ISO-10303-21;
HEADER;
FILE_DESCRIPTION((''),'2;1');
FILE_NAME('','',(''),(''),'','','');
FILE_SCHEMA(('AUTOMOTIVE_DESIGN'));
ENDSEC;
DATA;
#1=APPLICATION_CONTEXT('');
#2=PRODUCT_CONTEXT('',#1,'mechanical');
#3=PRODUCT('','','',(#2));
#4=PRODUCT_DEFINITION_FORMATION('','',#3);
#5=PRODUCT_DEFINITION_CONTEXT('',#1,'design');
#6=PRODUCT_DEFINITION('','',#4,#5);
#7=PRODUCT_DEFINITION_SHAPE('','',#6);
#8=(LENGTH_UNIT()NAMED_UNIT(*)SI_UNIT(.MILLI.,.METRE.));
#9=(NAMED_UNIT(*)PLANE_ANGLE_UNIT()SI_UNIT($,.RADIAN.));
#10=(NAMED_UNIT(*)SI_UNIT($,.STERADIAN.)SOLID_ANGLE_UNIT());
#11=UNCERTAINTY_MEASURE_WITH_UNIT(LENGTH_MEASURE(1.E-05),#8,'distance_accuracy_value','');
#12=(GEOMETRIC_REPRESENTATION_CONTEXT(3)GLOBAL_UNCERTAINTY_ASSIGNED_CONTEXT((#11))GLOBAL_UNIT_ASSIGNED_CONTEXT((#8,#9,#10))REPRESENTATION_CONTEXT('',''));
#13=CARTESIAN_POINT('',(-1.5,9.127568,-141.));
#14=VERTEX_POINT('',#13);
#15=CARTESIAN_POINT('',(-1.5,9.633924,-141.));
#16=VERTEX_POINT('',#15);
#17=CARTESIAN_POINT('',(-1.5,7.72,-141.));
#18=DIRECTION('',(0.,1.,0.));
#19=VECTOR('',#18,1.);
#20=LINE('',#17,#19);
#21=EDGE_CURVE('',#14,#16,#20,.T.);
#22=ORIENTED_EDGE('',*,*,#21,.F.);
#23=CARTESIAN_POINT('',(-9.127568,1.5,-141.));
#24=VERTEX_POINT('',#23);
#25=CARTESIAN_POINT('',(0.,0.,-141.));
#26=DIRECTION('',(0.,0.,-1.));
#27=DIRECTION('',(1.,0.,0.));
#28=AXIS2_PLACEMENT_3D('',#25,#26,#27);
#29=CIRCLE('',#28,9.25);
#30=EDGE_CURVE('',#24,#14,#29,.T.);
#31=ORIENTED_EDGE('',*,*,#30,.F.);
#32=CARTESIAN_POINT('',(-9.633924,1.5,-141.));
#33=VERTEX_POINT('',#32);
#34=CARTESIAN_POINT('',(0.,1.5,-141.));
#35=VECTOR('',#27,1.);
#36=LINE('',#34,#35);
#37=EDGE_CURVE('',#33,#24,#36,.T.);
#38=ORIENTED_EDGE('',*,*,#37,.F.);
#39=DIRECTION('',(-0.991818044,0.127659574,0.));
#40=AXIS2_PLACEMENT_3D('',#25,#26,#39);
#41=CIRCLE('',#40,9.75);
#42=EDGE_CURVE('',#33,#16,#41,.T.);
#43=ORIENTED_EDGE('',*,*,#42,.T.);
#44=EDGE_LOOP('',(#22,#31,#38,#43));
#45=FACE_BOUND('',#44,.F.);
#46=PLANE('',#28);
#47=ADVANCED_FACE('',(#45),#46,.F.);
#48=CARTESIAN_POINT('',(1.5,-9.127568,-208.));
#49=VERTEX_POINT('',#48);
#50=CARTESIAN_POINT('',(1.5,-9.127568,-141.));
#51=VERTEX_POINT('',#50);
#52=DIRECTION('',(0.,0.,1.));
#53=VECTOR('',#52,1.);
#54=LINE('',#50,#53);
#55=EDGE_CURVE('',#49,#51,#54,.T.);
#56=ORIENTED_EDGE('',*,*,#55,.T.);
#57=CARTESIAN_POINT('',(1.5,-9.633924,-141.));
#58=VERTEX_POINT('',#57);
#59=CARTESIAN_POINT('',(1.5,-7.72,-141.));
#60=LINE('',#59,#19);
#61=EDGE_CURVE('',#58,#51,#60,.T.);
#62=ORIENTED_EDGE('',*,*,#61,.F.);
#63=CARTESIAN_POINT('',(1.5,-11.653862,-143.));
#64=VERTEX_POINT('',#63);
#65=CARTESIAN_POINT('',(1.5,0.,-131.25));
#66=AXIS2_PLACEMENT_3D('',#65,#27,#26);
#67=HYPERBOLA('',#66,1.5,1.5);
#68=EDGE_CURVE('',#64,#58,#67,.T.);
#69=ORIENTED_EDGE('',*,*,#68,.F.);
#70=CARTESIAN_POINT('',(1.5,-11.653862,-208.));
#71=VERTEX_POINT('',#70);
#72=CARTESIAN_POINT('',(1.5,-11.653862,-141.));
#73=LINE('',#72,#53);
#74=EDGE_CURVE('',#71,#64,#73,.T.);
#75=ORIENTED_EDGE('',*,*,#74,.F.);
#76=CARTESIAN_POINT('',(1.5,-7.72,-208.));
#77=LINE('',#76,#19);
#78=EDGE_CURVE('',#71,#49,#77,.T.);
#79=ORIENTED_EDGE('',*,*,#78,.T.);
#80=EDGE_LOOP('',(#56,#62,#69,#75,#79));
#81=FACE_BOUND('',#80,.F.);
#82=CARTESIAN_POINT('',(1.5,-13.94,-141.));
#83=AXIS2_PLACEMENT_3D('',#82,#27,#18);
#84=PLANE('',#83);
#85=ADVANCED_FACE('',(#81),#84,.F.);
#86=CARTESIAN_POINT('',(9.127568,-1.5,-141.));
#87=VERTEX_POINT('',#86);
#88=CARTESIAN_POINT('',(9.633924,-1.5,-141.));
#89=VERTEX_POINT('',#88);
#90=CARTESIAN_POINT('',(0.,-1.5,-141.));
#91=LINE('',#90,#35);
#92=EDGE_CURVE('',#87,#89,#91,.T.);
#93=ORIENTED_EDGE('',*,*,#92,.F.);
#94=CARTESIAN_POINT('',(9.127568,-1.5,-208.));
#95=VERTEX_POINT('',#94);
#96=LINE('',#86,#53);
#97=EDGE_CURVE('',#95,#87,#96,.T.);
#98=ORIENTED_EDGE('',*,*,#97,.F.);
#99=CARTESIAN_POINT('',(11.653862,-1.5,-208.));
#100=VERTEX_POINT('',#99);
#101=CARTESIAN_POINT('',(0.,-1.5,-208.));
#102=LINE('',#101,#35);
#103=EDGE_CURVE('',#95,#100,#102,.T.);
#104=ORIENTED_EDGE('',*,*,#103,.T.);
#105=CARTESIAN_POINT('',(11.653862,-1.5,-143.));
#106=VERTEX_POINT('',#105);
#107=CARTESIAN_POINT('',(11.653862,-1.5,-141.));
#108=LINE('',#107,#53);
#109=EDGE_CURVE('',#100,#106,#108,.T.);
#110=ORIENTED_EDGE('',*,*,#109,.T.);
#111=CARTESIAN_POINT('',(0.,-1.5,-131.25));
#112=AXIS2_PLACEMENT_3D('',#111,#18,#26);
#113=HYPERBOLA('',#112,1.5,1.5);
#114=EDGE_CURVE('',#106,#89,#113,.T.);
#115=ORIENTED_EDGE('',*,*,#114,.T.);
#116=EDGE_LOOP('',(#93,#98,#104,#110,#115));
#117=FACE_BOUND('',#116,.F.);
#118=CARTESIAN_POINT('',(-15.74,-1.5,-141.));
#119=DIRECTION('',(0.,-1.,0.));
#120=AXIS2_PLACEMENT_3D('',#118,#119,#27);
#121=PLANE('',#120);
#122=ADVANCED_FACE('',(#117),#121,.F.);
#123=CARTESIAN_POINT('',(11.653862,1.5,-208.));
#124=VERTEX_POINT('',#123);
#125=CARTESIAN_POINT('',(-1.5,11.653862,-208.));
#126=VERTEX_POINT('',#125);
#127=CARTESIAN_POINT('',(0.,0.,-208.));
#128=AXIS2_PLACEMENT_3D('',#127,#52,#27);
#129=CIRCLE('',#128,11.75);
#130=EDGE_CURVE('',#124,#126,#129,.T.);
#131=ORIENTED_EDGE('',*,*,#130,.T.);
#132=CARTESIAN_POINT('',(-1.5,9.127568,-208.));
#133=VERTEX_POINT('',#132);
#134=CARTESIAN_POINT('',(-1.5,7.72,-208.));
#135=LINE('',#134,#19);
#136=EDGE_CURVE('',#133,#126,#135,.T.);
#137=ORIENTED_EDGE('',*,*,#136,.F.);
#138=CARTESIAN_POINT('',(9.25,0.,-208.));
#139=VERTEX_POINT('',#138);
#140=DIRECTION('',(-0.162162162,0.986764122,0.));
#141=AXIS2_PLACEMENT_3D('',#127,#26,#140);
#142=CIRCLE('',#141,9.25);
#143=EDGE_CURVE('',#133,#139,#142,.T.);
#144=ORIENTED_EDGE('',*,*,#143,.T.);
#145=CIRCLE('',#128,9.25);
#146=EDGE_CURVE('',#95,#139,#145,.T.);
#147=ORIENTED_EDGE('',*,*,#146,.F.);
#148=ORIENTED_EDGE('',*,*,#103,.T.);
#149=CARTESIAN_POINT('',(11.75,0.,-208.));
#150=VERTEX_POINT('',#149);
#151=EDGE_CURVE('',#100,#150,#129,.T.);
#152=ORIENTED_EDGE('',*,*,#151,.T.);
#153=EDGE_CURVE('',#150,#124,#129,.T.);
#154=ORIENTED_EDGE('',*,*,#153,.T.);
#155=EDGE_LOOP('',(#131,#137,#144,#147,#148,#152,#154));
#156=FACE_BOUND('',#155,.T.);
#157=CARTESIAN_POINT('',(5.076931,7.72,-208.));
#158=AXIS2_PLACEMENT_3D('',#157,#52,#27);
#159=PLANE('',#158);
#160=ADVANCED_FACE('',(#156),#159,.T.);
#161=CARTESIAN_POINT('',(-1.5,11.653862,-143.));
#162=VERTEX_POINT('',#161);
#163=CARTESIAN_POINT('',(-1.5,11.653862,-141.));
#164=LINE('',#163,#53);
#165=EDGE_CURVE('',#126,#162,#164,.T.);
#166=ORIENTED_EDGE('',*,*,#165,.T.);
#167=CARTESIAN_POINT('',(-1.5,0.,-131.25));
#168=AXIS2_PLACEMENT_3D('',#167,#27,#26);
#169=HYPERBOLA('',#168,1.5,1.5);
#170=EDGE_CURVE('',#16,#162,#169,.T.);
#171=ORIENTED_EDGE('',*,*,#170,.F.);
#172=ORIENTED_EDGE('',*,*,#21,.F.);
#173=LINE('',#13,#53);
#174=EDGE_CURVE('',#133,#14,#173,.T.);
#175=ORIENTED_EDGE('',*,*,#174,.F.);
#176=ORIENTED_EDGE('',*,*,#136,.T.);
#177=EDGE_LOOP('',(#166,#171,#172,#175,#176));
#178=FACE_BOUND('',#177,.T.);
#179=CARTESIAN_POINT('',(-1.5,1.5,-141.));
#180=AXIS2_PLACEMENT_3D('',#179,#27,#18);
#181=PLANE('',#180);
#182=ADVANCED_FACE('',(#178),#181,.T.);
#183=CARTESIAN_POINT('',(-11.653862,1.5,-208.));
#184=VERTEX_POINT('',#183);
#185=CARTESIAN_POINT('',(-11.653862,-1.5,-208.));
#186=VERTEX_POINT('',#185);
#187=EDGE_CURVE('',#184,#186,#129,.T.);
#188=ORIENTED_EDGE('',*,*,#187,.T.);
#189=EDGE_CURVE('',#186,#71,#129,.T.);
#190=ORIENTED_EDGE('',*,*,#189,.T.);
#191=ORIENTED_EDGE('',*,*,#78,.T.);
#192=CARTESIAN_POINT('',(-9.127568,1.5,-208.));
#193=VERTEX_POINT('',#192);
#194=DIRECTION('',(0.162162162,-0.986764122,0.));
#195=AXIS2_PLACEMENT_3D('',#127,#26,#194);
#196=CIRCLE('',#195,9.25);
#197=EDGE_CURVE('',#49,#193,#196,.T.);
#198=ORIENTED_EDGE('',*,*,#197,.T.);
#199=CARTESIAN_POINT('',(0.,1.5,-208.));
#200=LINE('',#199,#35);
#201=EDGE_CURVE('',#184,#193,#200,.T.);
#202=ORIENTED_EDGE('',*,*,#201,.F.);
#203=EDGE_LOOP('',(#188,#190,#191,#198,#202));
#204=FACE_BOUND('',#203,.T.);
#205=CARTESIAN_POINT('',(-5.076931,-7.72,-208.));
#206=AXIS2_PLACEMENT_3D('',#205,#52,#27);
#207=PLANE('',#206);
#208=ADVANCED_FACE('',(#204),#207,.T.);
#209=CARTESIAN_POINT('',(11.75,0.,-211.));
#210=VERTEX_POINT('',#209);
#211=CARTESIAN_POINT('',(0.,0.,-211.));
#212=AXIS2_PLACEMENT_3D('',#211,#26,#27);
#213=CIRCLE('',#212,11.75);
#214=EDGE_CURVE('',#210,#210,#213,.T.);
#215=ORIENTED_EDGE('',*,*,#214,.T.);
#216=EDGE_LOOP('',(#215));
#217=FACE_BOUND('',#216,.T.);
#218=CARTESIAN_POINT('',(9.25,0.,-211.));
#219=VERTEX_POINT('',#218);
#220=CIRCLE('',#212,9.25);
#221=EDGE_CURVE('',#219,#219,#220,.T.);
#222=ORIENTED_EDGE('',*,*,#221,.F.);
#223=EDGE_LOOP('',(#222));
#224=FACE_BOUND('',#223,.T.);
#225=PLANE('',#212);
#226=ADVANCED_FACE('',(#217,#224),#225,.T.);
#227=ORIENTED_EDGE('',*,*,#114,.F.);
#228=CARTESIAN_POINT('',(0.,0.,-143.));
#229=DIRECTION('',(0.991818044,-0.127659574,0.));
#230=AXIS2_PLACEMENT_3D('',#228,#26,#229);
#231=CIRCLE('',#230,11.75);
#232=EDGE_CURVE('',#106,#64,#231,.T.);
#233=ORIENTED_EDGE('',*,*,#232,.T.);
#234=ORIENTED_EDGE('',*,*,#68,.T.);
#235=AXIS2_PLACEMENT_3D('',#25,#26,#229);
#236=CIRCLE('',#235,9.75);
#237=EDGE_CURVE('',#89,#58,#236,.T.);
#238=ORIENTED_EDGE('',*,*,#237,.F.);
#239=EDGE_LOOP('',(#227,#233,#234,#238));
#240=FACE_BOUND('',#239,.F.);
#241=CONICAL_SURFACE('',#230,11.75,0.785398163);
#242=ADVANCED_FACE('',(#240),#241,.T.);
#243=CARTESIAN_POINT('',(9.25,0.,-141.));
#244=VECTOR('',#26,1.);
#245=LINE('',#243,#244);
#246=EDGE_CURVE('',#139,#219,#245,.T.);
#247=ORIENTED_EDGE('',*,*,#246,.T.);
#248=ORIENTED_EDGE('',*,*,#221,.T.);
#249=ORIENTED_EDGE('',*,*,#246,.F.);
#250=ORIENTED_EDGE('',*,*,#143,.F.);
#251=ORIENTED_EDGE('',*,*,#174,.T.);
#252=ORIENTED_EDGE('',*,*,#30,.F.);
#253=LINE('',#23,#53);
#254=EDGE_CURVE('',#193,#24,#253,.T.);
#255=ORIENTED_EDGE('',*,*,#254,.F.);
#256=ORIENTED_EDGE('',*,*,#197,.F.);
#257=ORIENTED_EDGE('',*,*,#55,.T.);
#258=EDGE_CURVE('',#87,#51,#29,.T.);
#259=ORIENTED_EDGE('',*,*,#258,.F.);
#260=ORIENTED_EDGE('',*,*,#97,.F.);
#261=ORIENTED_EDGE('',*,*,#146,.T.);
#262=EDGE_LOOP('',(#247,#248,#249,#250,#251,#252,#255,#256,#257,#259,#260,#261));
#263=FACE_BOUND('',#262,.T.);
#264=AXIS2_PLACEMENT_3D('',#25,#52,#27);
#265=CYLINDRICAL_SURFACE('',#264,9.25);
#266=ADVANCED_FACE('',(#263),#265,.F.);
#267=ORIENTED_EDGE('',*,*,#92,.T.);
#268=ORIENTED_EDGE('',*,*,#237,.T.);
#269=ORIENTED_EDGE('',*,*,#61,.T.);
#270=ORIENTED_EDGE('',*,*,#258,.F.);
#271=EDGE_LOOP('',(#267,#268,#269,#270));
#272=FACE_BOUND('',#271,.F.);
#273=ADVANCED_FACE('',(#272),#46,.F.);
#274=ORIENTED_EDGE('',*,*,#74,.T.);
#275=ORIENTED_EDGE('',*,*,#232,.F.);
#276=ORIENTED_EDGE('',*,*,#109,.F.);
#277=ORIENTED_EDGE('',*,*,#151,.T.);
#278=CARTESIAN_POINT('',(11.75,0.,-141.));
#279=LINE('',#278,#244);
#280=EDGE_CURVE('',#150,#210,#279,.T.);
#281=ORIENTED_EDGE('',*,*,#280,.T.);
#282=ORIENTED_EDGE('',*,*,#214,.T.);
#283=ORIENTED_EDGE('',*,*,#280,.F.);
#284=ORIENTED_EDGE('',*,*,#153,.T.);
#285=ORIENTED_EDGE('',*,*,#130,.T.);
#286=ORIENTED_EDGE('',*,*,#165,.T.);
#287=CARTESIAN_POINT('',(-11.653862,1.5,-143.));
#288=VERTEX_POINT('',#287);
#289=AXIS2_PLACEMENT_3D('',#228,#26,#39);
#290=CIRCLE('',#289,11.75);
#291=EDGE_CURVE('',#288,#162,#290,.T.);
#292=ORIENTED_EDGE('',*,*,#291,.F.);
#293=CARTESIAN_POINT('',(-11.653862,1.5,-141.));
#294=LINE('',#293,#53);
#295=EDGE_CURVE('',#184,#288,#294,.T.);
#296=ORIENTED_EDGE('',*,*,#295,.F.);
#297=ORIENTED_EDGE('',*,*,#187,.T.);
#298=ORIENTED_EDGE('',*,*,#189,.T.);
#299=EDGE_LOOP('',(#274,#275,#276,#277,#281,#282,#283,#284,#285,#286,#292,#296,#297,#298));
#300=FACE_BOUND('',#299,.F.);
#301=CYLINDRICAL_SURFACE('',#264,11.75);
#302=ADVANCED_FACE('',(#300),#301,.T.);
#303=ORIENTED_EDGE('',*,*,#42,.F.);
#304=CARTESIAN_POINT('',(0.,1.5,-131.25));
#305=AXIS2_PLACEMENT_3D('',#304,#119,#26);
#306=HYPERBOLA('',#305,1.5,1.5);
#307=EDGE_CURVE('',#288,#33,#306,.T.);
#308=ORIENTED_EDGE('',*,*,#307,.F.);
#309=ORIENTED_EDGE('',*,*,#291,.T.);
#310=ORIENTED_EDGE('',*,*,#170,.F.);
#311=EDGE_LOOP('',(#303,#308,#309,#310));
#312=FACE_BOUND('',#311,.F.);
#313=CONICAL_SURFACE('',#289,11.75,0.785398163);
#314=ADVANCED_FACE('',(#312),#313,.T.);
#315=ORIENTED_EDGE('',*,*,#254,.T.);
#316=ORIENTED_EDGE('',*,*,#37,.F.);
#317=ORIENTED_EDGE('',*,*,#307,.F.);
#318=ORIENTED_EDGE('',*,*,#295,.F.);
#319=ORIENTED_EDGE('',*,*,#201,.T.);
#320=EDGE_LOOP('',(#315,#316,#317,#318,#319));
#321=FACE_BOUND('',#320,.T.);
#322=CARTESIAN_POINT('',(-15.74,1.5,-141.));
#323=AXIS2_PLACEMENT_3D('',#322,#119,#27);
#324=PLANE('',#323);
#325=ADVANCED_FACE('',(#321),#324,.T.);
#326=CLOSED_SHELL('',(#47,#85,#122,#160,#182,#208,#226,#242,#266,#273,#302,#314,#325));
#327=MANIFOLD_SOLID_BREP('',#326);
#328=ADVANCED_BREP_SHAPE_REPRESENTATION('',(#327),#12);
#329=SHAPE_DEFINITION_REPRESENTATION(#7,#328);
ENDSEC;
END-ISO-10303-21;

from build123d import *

# Parameters (mm, degrees)
SKETCH023_R             = 11.75
SKETCH023_R_2           = 9.25
PAD015_DEPTH            = 70
SKETCH025_W             = 31.48
SKETCH025_H             = 3
POCKET007_DEPTH         = 67
CHAMFER006_SIZE         = 2
SKETCH024_W             = 13.153862
SKETCH024_H             = 12.44
POCKET006_DEPTH         = 67
BODY013_PLACEMENT_ANGLE = 180


with BuildPart() as part:
    # Sketch023 → Pad015 (new body)
    with BuildSketch(Plane.XY):
        Circle(SKETCH023_R)
        Circle(SKETCH023_R_2, mode=Mode.SUBTRACT)
    extrude(amount=PAD015_DEPTH)

    # Sketch025 (on Face3 of Pad015) → Pocket007 (cut)
    with BuildSketch(Plane(origin=(0, 0, 0), x_dir=(1, 0, 0), z_dir=(0, 0, -1))):
        Rectangle(SKETCH025_W, SKETCH025_H)
    extrude(amount=-POCKET007_DEPTH, mode=Mode.SUBTRACT)

    # Chamfer006
    chamfer006_edges = [part.edges().sort_by_distance(p)[0] for p in [
        (0, 11.75, 0),
        (0, -11.75, 0),
    ]]
    chamfer(chamfer006_edges, length=CHAMFER006_SIZE)

    # Sketch024 (on Face11 of Chamfer006) → Pocket006 (cut)
    with BuildSketch(Plane(origin=(0, 0, 0), x_dir=(1, 0, 0), z_dir=(0, 0, -1))):
        with Locations((5.076931, 7.72)):
            Rectangle(SKETCH024_W, SKETCH024_H)
        with Locations((-5.076931, -7.72)):
            Rectangle(SKETCH024_W, SKETCH024_H)
    extrude(amount=-POCKET006_DEPTH, mode=Mode.SUBTRACT)


with BuildPart() as part_1:
    # Body013 placement: moved
    add(part.part.moved(Location((0, 0, -141))).rotate(Axis((0, 0, -141), (1, 0, 0)), BODY013_PLACEMENT_ANGLE))


solid = part_1.part
